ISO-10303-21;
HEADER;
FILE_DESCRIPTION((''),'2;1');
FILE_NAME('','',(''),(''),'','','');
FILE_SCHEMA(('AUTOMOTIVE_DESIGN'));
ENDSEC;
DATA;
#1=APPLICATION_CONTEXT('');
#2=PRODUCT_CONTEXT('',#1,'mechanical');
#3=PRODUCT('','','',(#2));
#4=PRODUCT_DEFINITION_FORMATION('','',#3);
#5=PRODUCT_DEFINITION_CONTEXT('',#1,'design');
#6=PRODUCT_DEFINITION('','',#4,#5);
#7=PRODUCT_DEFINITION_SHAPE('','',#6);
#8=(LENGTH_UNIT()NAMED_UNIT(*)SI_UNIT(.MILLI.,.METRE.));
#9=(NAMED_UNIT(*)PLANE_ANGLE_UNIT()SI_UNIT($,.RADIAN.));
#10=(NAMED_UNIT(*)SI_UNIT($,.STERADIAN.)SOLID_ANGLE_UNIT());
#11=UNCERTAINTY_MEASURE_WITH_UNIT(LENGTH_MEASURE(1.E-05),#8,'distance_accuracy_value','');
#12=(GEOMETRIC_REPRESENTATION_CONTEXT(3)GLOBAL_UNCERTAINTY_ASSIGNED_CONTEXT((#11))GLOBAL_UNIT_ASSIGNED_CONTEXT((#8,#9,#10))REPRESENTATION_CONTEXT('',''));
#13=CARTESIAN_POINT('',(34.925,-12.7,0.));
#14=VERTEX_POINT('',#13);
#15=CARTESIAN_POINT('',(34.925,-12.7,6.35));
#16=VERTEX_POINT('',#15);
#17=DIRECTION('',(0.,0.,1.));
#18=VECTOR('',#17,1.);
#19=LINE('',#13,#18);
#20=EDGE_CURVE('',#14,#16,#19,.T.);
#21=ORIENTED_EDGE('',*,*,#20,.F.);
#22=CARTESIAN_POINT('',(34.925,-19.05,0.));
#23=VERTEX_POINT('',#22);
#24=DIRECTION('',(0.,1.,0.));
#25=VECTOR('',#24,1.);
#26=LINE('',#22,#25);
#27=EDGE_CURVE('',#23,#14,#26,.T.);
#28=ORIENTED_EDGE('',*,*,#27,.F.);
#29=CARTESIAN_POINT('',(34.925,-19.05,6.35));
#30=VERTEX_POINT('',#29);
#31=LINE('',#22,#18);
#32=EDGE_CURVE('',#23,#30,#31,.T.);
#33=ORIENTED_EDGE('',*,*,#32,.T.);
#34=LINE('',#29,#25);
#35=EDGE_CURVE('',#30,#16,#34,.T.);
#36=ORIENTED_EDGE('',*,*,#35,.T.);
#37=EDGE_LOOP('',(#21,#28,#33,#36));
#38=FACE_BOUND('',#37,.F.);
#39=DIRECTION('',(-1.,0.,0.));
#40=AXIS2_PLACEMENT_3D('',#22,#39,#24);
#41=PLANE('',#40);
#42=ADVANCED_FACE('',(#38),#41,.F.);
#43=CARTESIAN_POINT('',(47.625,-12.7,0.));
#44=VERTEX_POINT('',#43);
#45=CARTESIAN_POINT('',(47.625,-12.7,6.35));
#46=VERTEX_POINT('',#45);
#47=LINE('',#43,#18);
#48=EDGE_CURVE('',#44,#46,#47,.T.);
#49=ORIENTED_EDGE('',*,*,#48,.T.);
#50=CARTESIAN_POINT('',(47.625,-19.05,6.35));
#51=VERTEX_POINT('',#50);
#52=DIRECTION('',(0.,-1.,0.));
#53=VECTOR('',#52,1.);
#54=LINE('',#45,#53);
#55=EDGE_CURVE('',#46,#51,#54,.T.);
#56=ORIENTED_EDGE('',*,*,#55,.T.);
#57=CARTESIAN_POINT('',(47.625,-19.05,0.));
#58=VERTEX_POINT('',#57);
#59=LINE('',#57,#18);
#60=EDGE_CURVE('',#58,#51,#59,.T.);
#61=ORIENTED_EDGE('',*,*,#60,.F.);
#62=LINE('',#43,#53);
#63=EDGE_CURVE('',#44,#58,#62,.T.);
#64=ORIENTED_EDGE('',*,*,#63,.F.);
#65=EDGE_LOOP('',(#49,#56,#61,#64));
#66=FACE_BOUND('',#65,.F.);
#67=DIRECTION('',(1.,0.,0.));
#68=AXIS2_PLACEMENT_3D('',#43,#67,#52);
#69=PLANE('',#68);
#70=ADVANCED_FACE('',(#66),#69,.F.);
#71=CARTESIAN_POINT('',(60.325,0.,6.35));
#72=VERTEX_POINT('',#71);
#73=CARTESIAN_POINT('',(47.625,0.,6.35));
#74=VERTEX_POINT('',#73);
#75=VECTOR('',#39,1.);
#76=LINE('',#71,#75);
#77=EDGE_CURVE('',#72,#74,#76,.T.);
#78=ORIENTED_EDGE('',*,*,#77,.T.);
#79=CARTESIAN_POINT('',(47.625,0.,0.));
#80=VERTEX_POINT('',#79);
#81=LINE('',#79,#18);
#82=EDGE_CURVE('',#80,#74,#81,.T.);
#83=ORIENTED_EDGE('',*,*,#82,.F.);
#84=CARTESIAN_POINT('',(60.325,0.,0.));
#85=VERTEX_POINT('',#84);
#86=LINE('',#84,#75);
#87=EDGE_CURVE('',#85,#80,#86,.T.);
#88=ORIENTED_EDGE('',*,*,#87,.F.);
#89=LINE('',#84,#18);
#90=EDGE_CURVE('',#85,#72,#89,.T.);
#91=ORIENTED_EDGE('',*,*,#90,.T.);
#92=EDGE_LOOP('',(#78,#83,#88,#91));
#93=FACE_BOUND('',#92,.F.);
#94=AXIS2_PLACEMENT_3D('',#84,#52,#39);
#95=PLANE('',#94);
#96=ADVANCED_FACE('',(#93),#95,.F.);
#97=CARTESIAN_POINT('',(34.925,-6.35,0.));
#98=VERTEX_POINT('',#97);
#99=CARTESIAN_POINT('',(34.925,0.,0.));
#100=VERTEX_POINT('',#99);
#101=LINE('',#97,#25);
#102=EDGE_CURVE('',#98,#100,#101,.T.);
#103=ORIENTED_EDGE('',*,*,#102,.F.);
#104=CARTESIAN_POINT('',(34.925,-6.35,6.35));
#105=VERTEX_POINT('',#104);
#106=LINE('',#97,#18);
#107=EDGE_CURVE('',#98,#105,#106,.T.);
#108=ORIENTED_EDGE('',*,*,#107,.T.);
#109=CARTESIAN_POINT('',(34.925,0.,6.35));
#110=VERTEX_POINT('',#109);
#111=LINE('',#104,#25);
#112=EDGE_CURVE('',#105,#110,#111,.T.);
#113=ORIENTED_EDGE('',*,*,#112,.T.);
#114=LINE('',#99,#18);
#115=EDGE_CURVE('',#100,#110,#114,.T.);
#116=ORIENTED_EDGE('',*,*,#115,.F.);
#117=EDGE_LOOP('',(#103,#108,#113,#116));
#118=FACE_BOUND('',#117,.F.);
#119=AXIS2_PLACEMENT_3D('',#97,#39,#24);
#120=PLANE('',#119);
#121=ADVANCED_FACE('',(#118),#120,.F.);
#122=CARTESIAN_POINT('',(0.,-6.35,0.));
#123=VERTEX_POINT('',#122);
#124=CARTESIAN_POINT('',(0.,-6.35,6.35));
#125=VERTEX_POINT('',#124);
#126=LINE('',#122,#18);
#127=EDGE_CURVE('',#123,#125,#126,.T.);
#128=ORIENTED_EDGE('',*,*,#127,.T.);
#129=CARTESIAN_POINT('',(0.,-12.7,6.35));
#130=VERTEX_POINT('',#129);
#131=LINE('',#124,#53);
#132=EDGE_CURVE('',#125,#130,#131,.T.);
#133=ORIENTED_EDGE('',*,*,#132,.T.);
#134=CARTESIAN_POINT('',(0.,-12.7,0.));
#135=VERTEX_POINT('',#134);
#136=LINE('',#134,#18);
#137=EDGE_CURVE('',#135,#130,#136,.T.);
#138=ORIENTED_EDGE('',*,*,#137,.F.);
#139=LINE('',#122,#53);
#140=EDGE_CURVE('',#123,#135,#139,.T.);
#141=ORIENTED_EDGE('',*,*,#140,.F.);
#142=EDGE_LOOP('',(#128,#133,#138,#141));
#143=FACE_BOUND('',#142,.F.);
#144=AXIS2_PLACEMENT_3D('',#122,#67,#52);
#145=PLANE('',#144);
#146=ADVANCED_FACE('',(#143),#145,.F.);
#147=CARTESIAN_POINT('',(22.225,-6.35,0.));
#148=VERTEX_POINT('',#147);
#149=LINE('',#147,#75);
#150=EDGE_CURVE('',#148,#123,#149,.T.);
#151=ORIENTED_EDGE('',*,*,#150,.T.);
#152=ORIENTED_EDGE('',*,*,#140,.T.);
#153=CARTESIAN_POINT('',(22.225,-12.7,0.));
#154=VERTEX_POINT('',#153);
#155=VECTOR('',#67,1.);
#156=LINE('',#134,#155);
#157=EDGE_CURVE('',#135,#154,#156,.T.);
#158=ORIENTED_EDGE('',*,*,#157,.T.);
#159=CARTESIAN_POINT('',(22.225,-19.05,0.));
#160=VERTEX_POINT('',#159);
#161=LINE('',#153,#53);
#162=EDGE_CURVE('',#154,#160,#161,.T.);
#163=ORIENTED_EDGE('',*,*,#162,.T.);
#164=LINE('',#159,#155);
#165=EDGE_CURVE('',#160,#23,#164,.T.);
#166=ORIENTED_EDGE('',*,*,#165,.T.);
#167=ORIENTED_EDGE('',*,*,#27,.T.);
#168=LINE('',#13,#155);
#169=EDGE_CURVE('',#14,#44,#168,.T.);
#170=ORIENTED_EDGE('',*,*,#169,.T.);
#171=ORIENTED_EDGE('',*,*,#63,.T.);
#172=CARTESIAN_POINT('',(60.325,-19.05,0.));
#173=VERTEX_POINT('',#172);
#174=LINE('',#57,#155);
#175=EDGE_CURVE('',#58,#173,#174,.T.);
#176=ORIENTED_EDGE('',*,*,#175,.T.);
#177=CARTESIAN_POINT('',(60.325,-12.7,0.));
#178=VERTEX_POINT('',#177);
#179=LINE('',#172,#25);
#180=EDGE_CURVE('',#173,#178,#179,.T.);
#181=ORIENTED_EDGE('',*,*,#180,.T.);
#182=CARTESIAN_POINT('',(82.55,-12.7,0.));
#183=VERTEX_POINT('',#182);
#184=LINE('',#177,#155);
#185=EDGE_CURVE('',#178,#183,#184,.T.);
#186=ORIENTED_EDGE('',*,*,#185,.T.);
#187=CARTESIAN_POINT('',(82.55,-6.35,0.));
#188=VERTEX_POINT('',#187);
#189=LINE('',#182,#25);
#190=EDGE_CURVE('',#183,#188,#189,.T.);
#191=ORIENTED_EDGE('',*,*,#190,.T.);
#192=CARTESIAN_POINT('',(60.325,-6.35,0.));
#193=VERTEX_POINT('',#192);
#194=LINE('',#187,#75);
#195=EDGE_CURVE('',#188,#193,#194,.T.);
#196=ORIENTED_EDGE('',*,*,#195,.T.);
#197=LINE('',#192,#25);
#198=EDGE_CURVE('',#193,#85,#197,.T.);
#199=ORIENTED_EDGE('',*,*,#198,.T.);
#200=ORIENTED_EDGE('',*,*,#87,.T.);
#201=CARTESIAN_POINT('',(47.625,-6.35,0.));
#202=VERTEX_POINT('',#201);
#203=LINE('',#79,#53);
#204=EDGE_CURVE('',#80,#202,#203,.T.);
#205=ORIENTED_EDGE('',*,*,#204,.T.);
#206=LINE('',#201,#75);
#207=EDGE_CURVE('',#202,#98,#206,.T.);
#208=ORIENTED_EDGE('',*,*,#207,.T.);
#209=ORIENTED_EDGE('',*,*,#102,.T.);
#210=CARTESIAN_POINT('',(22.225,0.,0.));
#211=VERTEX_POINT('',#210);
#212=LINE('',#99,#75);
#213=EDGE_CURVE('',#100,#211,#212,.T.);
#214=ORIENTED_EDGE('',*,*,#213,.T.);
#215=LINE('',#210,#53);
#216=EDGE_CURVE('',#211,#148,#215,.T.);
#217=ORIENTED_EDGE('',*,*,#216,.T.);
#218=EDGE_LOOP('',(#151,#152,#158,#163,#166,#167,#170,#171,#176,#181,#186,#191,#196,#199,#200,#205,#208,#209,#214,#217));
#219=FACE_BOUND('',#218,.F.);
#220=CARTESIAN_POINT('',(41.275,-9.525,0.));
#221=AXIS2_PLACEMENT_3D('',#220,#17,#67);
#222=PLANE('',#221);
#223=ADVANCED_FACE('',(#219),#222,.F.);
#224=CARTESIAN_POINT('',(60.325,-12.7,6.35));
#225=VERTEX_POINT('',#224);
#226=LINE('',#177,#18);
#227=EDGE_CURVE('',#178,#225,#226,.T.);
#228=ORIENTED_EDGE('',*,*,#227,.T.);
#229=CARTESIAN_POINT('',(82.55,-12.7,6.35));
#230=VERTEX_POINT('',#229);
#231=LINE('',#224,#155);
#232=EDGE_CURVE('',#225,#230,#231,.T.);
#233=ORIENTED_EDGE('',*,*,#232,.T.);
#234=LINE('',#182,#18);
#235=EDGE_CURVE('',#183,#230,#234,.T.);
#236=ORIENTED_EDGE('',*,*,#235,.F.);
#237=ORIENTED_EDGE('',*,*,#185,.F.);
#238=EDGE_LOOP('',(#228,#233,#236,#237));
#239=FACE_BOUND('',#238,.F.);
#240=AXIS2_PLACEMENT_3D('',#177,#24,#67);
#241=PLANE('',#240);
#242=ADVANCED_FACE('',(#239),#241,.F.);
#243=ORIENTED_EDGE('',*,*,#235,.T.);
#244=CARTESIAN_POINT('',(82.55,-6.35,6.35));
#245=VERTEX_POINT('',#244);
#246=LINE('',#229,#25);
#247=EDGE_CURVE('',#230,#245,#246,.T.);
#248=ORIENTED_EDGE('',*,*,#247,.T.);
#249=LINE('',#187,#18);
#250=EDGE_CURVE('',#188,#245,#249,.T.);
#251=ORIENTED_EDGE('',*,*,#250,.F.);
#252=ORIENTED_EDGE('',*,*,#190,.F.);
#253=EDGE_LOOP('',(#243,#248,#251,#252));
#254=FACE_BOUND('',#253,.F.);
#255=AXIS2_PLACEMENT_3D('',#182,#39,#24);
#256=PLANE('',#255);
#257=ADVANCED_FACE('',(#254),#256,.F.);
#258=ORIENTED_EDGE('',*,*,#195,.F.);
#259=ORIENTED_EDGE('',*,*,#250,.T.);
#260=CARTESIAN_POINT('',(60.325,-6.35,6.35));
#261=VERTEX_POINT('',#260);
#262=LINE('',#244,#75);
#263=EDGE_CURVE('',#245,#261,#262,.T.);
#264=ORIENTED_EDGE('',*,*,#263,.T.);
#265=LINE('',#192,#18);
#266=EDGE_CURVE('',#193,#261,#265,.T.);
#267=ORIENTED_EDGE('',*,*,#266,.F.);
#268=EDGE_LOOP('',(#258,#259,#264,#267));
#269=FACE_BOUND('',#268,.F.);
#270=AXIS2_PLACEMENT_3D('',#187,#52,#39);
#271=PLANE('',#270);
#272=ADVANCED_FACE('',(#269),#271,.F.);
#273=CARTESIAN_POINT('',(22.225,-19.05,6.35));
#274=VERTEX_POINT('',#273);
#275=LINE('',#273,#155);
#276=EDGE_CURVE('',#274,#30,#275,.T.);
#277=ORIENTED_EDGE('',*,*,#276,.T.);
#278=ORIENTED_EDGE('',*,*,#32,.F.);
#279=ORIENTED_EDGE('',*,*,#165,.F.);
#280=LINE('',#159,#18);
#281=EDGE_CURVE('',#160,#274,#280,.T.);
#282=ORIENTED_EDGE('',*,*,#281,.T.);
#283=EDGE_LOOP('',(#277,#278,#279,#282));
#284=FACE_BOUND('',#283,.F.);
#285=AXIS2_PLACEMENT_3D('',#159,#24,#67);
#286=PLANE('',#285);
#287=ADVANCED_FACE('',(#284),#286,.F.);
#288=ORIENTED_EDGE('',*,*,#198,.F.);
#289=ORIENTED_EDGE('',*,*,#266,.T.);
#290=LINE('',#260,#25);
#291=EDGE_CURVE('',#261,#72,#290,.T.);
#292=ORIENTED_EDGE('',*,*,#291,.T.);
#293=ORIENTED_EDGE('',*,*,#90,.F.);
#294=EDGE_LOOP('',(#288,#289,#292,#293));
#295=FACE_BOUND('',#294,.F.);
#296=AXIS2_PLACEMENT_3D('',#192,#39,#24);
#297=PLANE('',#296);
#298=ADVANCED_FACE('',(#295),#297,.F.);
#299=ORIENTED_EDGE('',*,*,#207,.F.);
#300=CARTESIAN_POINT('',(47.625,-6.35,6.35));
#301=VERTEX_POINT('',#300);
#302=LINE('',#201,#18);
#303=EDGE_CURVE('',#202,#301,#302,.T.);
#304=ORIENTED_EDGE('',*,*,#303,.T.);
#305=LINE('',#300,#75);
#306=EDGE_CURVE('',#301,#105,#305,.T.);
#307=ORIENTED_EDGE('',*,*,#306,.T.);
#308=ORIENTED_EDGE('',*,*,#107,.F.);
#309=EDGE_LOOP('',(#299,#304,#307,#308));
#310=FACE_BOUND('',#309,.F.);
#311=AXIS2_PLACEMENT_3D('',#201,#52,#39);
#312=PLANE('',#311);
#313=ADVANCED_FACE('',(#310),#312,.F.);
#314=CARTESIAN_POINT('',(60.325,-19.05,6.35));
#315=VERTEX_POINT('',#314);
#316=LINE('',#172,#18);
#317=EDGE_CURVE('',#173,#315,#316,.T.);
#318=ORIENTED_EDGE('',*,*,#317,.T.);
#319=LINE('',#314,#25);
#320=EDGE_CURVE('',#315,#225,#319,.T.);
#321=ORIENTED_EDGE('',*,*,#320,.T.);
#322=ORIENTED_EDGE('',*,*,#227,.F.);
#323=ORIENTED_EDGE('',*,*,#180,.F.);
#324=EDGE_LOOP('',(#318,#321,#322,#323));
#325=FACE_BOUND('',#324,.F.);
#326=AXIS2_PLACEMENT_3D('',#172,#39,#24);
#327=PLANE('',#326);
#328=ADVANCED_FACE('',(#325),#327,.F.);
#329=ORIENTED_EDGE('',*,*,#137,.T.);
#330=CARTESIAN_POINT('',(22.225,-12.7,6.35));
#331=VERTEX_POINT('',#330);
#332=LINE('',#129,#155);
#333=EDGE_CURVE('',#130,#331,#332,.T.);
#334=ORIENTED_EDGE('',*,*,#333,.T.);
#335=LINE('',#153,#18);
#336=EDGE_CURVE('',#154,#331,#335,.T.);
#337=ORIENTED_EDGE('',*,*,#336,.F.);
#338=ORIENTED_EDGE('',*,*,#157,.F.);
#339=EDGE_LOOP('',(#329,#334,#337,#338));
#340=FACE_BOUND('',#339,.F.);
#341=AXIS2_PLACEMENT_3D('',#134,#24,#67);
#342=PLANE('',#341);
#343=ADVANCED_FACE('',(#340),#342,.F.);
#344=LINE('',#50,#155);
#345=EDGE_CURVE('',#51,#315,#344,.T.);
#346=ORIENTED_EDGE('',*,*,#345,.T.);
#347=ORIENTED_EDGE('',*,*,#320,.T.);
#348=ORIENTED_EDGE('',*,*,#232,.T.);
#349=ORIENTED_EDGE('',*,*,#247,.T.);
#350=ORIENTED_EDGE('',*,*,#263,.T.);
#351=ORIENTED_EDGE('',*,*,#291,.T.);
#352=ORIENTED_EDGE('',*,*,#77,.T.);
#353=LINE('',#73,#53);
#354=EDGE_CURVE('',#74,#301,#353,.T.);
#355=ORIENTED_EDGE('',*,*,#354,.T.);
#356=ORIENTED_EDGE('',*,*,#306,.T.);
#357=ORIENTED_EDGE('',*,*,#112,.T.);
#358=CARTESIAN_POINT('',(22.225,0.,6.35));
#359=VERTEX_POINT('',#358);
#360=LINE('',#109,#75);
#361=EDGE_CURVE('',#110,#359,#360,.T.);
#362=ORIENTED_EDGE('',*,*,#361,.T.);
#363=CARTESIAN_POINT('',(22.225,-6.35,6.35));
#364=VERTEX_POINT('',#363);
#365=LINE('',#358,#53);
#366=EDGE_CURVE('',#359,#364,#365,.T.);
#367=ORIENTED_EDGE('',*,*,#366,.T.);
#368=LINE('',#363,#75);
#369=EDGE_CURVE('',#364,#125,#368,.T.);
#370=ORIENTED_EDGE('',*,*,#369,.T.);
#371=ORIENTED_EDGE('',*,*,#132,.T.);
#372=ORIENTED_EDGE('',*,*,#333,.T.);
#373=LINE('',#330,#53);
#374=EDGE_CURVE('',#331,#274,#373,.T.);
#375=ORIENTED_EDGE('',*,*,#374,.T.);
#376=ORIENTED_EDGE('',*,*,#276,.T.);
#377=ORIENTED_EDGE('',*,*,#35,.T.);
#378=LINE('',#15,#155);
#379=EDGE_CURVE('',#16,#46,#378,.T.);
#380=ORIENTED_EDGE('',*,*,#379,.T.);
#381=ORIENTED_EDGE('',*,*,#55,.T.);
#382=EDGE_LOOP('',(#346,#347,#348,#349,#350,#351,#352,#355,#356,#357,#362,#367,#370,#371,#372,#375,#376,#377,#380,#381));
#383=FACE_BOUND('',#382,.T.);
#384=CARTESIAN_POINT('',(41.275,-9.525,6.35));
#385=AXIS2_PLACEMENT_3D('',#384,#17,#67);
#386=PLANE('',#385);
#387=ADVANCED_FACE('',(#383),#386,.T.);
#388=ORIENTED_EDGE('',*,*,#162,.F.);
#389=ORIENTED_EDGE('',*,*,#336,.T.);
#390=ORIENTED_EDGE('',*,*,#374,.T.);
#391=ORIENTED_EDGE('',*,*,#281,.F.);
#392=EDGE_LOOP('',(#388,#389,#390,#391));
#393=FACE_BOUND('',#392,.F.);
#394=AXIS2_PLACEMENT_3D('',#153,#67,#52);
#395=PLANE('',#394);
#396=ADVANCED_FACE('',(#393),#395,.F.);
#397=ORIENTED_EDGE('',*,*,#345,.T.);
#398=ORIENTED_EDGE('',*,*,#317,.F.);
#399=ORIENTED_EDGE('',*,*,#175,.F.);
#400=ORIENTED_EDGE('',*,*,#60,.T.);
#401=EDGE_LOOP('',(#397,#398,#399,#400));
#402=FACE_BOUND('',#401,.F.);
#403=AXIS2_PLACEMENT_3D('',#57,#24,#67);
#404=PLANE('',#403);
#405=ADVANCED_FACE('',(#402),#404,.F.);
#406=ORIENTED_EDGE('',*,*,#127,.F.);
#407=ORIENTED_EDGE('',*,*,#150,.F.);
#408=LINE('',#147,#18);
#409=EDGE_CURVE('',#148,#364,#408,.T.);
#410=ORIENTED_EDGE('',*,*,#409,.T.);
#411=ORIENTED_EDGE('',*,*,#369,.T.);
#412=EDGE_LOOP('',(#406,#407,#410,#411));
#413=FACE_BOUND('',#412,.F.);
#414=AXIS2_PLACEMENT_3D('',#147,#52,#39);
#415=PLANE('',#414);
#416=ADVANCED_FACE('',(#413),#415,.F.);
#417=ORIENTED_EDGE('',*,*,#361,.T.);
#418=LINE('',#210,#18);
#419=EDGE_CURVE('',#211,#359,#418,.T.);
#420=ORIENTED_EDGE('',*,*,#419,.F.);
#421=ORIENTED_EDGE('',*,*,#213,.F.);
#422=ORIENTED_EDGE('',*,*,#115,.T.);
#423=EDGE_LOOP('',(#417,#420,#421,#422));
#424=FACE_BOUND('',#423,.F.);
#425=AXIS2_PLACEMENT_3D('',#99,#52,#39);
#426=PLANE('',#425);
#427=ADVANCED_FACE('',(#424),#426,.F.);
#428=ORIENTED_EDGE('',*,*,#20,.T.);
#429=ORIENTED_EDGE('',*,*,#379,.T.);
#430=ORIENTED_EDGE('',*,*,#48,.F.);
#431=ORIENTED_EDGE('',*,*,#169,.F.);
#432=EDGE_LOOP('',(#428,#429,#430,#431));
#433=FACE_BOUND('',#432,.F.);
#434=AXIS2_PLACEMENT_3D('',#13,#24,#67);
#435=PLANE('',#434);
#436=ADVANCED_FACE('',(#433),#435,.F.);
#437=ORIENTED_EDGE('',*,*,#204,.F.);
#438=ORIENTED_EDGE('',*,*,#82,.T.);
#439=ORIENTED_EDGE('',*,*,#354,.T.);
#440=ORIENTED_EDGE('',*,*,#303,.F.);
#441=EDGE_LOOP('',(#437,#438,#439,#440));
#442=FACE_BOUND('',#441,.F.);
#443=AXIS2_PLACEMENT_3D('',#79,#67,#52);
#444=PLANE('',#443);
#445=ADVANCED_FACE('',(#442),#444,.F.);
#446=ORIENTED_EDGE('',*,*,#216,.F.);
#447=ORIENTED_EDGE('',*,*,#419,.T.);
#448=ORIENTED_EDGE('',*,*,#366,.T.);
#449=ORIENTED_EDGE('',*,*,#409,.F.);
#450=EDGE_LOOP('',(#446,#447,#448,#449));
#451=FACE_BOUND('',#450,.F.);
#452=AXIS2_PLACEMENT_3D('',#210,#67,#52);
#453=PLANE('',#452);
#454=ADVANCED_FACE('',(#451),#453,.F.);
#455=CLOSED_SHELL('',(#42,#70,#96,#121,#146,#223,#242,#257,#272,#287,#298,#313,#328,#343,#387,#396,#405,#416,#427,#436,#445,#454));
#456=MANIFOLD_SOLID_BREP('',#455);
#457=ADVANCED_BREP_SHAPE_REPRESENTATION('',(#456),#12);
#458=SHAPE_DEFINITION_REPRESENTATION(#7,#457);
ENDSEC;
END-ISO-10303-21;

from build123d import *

# Parameters (mm, degrees)
F1_DEPTH = 6.35


with BuildPart() as f1:
    # F0 (on Top) → F1 (new body)
    with BuildSketch(Plane.XY):
        Polygon((34.925, 0), (22.225, 0), (22.225, -6.35), (0, -6.35), (0, -12.7), (22.225, -12.7), (22.225, -19.05), (34.925, -19.05), (34.925, -12.7), (47.625, -12.7), (47.625, -19.05), (60.325, -19.05), (60.325, -12.7), (82.55, -12.7), (82.55, -6.35), (60.325, -6.35), (60.325, 0), (47.625, 0), (47.625, -6.35), (34.925, -6.35), align=None)
    extrude(amount=F1_DEPTH)


solid = f1.part
